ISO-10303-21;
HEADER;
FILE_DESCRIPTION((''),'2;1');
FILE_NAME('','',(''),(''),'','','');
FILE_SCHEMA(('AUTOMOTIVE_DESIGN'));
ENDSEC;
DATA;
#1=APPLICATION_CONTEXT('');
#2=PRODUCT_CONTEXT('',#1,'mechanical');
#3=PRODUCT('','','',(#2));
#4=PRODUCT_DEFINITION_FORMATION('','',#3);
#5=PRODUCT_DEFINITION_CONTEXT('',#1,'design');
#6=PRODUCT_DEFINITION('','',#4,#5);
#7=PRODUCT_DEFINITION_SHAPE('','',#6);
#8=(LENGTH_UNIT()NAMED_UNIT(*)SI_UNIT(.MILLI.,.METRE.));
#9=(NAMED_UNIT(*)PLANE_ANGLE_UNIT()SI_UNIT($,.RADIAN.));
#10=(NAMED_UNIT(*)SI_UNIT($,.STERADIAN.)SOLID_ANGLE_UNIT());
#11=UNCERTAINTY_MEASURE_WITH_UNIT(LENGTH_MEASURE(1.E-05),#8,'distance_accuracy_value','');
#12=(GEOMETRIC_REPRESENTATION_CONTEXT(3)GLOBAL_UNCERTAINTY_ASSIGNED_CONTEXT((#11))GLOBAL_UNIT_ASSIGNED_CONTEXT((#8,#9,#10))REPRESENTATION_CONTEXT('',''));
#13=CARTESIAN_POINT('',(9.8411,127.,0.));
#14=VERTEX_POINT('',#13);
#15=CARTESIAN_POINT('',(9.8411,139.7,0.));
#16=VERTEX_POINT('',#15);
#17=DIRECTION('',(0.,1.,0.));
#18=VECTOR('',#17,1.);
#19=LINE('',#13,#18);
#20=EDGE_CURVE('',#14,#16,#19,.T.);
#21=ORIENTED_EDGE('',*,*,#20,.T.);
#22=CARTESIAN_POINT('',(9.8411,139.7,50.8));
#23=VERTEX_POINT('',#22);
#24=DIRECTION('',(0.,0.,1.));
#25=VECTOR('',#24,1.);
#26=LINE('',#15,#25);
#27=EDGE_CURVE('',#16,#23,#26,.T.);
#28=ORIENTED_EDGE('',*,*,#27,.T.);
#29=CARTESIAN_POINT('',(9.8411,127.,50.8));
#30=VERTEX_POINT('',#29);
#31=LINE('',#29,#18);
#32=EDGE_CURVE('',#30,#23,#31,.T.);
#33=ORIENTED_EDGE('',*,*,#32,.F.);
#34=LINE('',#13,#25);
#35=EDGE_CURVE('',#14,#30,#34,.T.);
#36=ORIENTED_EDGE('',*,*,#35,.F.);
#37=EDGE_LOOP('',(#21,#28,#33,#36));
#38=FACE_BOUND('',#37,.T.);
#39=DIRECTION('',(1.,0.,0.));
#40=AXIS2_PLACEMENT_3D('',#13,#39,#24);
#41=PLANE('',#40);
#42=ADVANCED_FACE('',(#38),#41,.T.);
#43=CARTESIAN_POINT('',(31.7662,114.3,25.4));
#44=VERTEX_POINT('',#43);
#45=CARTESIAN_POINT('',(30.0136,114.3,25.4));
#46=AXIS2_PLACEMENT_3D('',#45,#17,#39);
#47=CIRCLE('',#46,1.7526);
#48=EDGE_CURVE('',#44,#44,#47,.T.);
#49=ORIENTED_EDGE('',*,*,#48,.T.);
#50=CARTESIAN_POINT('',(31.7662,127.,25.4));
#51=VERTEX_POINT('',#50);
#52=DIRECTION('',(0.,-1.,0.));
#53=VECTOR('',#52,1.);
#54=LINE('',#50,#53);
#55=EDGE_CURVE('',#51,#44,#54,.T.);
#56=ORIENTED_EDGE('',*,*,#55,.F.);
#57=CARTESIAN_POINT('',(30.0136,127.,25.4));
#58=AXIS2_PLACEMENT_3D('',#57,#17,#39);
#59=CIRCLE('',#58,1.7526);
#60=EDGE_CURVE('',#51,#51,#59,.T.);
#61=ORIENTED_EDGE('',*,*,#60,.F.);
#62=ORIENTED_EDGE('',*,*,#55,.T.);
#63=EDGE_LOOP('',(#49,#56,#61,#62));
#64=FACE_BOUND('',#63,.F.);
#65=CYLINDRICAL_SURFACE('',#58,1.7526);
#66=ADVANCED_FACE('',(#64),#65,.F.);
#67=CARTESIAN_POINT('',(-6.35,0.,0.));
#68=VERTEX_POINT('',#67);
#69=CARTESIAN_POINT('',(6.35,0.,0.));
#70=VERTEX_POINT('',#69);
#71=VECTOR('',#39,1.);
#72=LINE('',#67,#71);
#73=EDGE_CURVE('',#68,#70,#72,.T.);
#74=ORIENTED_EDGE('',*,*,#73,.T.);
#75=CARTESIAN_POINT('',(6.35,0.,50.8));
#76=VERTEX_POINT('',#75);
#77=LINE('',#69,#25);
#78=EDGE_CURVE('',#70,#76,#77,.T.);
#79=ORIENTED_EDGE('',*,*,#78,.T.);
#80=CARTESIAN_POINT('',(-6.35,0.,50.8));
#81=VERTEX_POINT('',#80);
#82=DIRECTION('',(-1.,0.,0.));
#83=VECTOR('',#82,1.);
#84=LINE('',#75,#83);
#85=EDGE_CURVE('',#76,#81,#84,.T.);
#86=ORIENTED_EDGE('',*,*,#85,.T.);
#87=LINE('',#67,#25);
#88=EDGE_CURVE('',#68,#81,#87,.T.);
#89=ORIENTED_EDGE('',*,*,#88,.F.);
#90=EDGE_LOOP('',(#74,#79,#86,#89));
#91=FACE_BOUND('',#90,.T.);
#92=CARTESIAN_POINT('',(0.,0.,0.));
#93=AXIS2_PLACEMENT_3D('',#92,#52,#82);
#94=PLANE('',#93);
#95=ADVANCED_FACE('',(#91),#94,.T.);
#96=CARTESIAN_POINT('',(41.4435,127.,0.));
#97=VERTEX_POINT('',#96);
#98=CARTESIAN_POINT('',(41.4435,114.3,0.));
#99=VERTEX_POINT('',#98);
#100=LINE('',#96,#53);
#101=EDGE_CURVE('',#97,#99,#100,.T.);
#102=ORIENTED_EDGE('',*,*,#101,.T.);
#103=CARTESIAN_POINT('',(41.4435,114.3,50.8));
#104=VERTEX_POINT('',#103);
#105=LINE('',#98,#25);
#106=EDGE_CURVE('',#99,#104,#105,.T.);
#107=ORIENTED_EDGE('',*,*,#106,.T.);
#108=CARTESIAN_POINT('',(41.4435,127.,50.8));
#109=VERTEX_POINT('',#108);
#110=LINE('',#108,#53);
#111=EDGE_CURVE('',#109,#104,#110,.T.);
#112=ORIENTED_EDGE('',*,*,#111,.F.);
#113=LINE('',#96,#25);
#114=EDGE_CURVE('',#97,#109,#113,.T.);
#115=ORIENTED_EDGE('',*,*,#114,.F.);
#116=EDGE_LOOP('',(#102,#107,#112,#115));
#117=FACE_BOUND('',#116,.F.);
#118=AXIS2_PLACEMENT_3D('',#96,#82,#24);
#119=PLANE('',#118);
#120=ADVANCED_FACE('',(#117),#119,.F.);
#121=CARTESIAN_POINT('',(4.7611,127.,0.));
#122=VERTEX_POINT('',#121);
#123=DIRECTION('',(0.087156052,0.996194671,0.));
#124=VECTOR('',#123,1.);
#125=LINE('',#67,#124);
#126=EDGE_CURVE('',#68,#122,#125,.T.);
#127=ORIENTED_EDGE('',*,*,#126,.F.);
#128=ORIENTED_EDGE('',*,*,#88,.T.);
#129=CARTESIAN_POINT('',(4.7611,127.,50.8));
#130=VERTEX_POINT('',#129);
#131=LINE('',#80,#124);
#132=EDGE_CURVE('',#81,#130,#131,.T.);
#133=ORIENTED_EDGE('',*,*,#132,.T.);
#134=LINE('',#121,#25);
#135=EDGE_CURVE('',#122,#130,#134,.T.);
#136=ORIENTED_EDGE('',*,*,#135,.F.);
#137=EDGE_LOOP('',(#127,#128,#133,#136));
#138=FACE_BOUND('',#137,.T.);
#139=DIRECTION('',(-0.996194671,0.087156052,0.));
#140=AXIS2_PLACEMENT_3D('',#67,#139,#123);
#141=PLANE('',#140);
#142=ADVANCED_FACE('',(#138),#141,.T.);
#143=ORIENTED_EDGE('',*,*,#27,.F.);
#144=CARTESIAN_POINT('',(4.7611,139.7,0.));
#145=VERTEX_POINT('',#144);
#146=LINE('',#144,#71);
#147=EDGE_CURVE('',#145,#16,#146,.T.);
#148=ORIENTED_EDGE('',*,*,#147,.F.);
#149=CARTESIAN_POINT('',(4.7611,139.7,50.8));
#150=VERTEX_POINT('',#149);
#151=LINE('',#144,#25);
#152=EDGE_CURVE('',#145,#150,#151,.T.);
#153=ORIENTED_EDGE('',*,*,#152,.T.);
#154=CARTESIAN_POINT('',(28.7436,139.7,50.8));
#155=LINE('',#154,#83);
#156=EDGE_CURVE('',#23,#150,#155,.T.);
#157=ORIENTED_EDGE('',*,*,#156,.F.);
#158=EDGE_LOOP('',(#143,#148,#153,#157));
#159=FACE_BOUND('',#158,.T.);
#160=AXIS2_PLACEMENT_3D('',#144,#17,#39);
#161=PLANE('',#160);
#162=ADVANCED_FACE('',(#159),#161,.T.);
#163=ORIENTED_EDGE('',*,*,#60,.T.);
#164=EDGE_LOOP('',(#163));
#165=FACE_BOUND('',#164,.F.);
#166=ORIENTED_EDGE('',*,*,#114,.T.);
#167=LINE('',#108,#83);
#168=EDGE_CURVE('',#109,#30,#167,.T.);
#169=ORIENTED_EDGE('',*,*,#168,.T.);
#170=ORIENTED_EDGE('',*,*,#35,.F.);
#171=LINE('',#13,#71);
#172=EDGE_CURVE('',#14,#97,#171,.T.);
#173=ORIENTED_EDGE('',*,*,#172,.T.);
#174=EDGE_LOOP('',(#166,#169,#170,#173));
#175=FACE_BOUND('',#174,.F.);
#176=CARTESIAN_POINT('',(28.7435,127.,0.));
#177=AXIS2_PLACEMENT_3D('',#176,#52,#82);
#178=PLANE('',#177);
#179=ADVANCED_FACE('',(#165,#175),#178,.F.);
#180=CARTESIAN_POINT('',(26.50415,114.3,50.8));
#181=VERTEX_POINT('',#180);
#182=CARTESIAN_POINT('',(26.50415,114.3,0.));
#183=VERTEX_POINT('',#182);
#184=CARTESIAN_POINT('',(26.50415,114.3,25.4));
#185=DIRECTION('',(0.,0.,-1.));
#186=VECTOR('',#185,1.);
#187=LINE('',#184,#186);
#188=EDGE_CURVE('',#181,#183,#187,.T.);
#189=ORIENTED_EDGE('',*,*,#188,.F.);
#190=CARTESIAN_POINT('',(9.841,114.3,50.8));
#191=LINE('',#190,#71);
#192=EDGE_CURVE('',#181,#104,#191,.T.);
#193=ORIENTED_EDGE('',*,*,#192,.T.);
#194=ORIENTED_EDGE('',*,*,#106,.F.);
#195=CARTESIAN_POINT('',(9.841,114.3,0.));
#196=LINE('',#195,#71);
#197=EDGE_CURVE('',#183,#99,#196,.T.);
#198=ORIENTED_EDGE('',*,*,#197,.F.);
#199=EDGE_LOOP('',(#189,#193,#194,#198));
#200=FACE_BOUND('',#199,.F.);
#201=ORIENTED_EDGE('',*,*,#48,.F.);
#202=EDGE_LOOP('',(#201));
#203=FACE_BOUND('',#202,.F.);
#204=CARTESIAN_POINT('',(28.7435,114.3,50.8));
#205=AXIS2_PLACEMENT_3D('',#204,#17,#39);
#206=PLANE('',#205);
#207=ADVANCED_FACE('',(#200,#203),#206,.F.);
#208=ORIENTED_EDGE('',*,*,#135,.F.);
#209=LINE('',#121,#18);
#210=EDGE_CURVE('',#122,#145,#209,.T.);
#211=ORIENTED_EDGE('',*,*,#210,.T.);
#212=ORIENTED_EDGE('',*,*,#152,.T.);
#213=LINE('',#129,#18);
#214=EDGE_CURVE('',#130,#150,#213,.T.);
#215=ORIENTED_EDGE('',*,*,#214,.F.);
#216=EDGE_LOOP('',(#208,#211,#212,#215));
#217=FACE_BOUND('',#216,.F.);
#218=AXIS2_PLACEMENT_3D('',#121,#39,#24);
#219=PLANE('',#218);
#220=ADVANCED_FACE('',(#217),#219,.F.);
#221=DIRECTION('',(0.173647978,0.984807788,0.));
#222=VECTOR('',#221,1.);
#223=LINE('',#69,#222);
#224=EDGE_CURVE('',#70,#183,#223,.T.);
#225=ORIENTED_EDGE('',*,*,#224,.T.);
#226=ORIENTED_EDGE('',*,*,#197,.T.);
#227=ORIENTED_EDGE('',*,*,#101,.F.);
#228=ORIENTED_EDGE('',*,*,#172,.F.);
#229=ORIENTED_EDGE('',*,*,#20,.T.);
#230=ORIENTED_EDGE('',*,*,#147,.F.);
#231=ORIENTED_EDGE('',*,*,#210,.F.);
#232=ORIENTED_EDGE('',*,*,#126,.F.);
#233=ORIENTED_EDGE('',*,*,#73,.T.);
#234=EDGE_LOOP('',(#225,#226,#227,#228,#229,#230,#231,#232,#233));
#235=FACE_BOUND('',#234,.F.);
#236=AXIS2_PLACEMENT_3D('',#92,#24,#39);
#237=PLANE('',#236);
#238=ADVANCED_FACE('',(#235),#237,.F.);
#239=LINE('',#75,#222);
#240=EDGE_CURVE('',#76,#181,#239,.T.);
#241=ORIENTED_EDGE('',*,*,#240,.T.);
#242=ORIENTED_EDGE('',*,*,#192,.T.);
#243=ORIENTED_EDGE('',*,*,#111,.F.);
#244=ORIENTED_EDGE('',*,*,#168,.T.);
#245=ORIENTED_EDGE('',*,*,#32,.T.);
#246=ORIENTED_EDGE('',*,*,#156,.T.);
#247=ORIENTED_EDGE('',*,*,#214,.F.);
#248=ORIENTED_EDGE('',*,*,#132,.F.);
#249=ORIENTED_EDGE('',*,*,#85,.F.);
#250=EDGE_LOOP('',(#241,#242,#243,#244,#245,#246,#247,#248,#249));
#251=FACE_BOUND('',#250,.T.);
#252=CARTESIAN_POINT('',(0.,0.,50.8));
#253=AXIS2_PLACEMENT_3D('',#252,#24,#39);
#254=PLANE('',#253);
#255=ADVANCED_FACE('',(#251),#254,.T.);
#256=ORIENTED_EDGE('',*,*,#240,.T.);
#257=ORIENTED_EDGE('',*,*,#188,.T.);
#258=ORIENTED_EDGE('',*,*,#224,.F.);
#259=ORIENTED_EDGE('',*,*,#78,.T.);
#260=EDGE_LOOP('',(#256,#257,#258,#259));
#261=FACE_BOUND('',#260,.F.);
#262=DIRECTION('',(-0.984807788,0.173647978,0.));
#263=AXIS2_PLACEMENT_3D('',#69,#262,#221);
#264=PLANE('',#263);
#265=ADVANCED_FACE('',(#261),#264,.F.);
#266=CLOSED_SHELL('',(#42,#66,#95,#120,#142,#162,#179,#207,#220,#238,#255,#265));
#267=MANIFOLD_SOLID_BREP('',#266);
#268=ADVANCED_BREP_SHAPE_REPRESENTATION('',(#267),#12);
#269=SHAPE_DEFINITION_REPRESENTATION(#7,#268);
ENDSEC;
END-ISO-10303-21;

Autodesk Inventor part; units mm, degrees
ref_plane "YZ Plane" through (0, 0, 0) normal (1, 0, 0) x (0, 1, 0)
ref_plane "XZ Plane" through (0, 0, 0) normal (0, 1, 0) x (-1, 0, 0)
ref_plane "XY Plane" through (0, 0, 0) normal (0, 0, 1) x (1, 0, 0)
sketch "Sketch1" plane through (0, 0, 0) normal (0, 0, 1) x (1, 0, 0)
  line L0 (0, 0) -> (-6.35, 0)
  line L1 (-6.35, 0) -> (4.7611, 127)
  line L2 (0, 0) -> (6.35, 0)
  line L3 (6.35, 0) -> (82.55, 0) construction
  line L4 (6.35, 0) -> (28.7435, 127)
  line L5 (6.35, 0) -> (135.3092, 0) construction
  line L6 (28.7435, 127) -> (4.7611, 127)
  dimension "d0" = 6.35
  dimension "d2" = 85
  dimension "d3" = 6.35
  dimension "d6" = 80
  dimension "d9" = 127
extrude "Extrusion1" add sketch "Sketch1" along normal blind 50.8
sketch "Sketch2" plane through (4.7611, 127, 0) normal (0, 1, 0) x (1, 0, 0)
  line L0 (0, 0) -> (-11.1111, 0) projected
  line L1 (0, 0) -> (5.08, 0)
  line L2 (23.9825, 0) -> (0, 0) projected
  line L3 (5.08, 0) -> (5.08, -50.8)
  line L4 (23.9825, -50.8) -> (0, -50.8) projected
  line L5 (0, 0) -> (0, -50.8) projected
  line L6 (0, -50.8) -> (0, 0)
  point P0 (-4.7611, 0)
  dimension "d10" = 5.08
extrude "Extrusion2" add sketch "Sketch2" along normal blind 12.7
sketch "Sketch4" plane through (28.7435, 127, 50.8) normal (0, 1, 0) x (1, 0, 0)
  line L0 (0, 50.8) -> (-18.9025, 50.8) projected
  line L1 (0, 50.8) -> (12.7, 50.8)
  line L2 (12.7, 50.8) -> (12.7, 0)
  line L3 (0, 50.8) -> (0, 0) projected
  line L4 (12.7, 0) -> (0, 0)
  line L5 (-18.9025, 0) -> (-18.9025, 50.8) projected
  line L6 (0, 0) -> (-18.9025, 0)
  line L7 (-18.9025, 0) -> (-18.9025, 50.8)
  line L8 (-18.9025, 50.8) -> (0, 50.8)
  point P0 (-28.7435, 50.8)
  dimension "d14" = 12.7
extrude "Extrusion3" add sketch "Sketch4" against normal blind 12.7
sketch "Sketch5" plane through (9.8411, 127, 50.8) normal (0, 1, 0) x (1, 0, 0)
  line L0 (31.6025, 0) -> (31.6025, 50.8) projected
  line L1 (16.6631, 50.8) -> (16.6631, 0) projected
  circle A0 centre (20.1725, 25.4) radius 1.7526
  line L2 (31.6025, 50.8) -> (0, 50.8) projected
  point P0 (-9.8411, 50.8)
  dimension "d18" = 3.5052
  dimension "d19" = 11.43
  dimension "d20" = 25.4
extrude "Extrusion4" cut sketch "Sketch5" against normal blind 12.7
thread "Thread1" size "6-32 UNC" class "2B" standard "ANSI Unified Screw Threads" full length
properties part number "Leg-01" material "Aluminum 6061"
